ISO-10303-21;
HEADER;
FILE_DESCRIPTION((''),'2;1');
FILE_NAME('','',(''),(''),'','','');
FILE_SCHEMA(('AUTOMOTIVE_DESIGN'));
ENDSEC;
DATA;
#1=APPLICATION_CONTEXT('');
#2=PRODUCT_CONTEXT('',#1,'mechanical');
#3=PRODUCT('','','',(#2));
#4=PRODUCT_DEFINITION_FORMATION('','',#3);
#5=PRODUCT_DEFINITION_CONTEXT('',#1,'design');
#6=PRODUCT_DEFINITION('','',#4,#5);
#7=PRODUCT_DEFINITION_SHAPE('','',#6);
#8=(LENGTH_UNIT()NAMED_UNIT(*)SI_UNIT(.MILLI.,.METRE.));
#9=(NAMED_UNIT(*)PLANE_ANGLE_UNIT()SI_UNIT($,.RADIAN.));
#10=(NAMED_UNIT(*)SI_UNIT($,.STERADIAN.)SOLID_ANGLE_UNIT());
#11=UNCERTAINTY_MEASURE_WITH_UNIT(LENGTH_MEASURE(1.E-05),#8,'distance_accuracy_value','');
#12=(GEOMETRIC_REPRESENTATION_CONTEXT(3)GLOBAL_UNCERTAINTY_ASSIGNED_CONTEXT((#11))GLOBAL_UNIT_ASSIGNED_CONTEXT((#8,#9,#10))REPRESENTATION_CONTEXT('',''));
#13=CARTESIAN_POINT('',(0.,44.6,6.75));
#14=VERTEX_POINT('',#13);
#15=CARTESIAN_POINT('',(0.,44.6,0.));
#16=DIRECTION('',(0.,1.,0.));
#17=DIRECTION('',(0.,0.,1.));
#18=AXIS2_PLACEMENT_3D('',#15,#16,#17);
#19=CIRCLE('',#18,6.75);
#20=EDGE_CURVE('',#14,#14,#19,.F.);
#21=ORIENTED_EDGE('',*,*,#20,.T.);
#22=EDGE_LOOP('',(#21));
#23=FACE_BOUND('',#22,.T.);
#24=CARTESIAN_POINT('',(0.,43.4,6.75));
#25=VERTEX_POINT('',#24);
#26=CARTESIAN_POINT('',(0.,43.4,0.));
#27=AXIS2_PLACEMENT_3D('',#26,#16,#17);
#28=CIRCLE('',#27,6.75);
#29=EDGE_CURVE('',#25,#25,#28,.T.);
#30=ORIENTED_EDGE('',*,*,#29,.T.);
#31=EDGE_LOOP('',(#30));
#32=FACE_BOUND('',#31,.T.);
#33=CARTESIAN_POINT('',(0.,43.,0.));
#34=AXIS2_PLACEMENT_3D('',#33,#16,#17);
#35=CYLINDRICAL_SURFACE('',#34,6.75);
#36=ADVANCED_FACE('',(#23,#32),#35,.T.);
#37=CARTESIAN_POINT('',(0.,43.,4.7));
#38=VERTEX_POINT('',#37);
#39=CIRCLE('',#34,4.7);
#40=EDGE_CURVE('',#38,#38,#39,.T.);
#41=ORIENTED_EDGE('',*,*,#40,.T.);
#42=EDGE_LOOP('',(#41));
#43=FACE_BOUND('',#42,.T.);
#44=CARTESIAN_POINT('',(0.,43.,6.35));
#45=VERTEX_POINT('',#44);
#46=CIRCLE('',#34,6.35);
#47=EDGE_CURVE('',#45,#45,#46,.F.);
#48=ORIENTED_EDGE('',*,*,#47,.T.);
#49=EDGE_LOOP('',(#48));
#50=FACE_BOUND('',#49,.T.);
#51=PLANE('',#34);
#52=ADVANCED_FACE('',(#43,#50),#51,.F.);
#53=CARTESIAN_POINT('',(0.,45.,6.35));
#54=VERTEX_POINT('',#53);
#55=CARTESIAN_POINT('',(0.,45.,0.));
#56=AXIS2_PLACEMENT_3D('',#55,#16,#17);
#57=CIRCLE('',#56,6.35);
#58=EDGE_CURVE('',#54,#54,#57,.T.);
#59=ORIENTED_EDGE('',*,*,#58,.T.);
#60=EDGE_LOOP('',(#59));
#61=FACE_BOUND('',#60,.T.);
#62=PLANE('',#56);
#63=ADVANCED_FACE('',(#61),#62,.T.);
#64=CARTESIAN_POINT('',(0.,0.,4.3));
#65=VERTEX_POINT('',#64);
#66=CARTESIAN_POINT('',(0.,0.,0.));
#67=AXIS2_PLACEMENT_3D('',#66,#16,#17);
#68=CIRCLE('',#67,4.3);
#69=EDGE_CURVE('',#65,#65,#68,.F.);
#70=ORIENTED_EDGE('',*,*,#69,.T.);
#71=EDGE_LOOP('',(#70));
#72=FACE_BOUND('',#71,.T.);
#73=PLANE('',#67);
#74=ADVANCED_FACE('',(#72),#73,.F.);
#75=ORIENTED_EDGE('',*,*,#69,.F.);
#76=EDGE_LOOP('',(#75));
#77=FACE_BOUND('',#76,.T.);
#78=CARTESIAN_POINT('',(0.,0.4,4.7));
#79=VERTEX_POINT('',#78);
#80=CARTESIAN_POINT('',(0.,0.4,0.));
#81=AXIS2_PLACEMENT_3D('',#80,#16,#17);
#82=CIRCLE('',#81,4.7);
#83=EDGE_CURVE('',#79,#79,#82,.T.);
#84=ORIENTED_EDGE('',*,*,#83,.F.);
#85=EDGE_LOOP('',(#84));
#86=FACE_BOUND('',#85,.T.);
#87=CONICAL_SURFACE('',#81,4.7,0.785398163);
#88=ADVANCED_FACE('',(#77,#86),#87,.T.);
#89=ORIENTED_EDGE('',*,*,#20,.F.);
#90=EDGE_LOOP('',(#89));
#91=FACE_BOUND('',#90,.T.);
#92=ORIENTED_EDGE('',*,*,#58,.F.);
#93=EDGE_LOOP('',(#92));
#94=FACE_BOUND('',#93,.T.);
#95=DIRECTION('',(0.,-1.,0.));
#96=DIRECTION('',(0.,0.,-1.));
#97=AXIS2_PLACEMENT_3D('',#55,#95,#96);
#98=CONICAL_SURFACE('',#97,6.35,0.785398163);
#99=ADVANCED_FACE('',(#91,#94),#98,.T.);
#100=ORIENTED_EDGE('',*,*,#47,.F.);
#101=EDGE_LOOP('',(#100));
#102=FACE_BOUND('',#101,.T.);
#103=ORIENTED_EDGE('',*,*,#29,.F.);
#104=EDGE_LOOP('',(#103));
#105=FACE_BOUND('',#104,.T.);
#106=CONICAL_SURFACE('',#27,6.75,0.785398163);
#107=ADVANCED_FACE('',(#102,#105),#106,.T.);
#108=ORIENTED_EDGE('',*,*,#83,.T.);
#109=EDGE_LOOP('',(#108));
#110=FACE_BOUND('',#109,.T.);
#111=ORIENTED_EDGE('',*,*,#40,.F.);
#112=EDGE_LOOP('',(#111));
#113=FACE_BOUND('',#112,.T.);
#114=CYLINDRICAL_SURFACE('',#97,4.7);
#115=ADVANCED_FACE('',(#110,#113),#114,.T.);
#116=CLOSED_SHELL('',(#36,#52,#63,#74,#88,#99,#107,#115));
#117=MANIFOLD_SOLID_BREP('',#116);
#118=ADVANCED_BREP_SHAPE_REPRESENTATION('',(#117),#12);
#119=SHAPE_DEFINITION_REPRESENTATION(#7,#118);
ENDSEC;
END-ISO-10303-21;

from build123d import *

# Parameters (mm, degrees)
SKETCH1_R           = 4.7
BOSS_EXTRUDE1_DEPTH = 45
SKETCH2_R           = 6.75
BOSS_EXTRUDE2_DEPTH = 2
CHAMFER2_SIZE       = 0.4
CHAMFER3_SIZE       = 0.4


with BuildPart() as part:
    # Sketch1 → Boss-Extrude1 (new body)
    with BuildSketch(Plane(origin=(0, 0, 0), x_dir=(1, 0, 0), z_dir=(0, 1, 0))):
        Circle(SKETCH1_R)
    extrude(amount=BOSS_EXTRUDE1_DEPTH)

    # Sketch2 → Boss-Extrude2 (add)
    with BuildSketch(Plane(origin=(0, 45, 0), x_dir=(1, 0, 0), z_dir=(0, 1, 0))):
        Circle(SKETCH2_R)
    extrude(amount=-BOSS_EXTRUDE2_DEPTH)

    # Chamfer2
    chamfer2_edges = [part.edges().sort_by_distance(p)[0] for p in [
        (-6.75, 43, 0),
        (-6.75, 45, 0),
    ]]
    chamfer(chamfer2_edges, length=CHAMFER2_SIZE)

    # Chamfer3
    chamfer3_edges = [part.edges().sort_by_distance(p)[0] for p in [
        (-4.7, 0, 0),
    ]]
    chamfer(chamfer3_edges, length=CHAMFER3_SIZE)


solid = part.part
